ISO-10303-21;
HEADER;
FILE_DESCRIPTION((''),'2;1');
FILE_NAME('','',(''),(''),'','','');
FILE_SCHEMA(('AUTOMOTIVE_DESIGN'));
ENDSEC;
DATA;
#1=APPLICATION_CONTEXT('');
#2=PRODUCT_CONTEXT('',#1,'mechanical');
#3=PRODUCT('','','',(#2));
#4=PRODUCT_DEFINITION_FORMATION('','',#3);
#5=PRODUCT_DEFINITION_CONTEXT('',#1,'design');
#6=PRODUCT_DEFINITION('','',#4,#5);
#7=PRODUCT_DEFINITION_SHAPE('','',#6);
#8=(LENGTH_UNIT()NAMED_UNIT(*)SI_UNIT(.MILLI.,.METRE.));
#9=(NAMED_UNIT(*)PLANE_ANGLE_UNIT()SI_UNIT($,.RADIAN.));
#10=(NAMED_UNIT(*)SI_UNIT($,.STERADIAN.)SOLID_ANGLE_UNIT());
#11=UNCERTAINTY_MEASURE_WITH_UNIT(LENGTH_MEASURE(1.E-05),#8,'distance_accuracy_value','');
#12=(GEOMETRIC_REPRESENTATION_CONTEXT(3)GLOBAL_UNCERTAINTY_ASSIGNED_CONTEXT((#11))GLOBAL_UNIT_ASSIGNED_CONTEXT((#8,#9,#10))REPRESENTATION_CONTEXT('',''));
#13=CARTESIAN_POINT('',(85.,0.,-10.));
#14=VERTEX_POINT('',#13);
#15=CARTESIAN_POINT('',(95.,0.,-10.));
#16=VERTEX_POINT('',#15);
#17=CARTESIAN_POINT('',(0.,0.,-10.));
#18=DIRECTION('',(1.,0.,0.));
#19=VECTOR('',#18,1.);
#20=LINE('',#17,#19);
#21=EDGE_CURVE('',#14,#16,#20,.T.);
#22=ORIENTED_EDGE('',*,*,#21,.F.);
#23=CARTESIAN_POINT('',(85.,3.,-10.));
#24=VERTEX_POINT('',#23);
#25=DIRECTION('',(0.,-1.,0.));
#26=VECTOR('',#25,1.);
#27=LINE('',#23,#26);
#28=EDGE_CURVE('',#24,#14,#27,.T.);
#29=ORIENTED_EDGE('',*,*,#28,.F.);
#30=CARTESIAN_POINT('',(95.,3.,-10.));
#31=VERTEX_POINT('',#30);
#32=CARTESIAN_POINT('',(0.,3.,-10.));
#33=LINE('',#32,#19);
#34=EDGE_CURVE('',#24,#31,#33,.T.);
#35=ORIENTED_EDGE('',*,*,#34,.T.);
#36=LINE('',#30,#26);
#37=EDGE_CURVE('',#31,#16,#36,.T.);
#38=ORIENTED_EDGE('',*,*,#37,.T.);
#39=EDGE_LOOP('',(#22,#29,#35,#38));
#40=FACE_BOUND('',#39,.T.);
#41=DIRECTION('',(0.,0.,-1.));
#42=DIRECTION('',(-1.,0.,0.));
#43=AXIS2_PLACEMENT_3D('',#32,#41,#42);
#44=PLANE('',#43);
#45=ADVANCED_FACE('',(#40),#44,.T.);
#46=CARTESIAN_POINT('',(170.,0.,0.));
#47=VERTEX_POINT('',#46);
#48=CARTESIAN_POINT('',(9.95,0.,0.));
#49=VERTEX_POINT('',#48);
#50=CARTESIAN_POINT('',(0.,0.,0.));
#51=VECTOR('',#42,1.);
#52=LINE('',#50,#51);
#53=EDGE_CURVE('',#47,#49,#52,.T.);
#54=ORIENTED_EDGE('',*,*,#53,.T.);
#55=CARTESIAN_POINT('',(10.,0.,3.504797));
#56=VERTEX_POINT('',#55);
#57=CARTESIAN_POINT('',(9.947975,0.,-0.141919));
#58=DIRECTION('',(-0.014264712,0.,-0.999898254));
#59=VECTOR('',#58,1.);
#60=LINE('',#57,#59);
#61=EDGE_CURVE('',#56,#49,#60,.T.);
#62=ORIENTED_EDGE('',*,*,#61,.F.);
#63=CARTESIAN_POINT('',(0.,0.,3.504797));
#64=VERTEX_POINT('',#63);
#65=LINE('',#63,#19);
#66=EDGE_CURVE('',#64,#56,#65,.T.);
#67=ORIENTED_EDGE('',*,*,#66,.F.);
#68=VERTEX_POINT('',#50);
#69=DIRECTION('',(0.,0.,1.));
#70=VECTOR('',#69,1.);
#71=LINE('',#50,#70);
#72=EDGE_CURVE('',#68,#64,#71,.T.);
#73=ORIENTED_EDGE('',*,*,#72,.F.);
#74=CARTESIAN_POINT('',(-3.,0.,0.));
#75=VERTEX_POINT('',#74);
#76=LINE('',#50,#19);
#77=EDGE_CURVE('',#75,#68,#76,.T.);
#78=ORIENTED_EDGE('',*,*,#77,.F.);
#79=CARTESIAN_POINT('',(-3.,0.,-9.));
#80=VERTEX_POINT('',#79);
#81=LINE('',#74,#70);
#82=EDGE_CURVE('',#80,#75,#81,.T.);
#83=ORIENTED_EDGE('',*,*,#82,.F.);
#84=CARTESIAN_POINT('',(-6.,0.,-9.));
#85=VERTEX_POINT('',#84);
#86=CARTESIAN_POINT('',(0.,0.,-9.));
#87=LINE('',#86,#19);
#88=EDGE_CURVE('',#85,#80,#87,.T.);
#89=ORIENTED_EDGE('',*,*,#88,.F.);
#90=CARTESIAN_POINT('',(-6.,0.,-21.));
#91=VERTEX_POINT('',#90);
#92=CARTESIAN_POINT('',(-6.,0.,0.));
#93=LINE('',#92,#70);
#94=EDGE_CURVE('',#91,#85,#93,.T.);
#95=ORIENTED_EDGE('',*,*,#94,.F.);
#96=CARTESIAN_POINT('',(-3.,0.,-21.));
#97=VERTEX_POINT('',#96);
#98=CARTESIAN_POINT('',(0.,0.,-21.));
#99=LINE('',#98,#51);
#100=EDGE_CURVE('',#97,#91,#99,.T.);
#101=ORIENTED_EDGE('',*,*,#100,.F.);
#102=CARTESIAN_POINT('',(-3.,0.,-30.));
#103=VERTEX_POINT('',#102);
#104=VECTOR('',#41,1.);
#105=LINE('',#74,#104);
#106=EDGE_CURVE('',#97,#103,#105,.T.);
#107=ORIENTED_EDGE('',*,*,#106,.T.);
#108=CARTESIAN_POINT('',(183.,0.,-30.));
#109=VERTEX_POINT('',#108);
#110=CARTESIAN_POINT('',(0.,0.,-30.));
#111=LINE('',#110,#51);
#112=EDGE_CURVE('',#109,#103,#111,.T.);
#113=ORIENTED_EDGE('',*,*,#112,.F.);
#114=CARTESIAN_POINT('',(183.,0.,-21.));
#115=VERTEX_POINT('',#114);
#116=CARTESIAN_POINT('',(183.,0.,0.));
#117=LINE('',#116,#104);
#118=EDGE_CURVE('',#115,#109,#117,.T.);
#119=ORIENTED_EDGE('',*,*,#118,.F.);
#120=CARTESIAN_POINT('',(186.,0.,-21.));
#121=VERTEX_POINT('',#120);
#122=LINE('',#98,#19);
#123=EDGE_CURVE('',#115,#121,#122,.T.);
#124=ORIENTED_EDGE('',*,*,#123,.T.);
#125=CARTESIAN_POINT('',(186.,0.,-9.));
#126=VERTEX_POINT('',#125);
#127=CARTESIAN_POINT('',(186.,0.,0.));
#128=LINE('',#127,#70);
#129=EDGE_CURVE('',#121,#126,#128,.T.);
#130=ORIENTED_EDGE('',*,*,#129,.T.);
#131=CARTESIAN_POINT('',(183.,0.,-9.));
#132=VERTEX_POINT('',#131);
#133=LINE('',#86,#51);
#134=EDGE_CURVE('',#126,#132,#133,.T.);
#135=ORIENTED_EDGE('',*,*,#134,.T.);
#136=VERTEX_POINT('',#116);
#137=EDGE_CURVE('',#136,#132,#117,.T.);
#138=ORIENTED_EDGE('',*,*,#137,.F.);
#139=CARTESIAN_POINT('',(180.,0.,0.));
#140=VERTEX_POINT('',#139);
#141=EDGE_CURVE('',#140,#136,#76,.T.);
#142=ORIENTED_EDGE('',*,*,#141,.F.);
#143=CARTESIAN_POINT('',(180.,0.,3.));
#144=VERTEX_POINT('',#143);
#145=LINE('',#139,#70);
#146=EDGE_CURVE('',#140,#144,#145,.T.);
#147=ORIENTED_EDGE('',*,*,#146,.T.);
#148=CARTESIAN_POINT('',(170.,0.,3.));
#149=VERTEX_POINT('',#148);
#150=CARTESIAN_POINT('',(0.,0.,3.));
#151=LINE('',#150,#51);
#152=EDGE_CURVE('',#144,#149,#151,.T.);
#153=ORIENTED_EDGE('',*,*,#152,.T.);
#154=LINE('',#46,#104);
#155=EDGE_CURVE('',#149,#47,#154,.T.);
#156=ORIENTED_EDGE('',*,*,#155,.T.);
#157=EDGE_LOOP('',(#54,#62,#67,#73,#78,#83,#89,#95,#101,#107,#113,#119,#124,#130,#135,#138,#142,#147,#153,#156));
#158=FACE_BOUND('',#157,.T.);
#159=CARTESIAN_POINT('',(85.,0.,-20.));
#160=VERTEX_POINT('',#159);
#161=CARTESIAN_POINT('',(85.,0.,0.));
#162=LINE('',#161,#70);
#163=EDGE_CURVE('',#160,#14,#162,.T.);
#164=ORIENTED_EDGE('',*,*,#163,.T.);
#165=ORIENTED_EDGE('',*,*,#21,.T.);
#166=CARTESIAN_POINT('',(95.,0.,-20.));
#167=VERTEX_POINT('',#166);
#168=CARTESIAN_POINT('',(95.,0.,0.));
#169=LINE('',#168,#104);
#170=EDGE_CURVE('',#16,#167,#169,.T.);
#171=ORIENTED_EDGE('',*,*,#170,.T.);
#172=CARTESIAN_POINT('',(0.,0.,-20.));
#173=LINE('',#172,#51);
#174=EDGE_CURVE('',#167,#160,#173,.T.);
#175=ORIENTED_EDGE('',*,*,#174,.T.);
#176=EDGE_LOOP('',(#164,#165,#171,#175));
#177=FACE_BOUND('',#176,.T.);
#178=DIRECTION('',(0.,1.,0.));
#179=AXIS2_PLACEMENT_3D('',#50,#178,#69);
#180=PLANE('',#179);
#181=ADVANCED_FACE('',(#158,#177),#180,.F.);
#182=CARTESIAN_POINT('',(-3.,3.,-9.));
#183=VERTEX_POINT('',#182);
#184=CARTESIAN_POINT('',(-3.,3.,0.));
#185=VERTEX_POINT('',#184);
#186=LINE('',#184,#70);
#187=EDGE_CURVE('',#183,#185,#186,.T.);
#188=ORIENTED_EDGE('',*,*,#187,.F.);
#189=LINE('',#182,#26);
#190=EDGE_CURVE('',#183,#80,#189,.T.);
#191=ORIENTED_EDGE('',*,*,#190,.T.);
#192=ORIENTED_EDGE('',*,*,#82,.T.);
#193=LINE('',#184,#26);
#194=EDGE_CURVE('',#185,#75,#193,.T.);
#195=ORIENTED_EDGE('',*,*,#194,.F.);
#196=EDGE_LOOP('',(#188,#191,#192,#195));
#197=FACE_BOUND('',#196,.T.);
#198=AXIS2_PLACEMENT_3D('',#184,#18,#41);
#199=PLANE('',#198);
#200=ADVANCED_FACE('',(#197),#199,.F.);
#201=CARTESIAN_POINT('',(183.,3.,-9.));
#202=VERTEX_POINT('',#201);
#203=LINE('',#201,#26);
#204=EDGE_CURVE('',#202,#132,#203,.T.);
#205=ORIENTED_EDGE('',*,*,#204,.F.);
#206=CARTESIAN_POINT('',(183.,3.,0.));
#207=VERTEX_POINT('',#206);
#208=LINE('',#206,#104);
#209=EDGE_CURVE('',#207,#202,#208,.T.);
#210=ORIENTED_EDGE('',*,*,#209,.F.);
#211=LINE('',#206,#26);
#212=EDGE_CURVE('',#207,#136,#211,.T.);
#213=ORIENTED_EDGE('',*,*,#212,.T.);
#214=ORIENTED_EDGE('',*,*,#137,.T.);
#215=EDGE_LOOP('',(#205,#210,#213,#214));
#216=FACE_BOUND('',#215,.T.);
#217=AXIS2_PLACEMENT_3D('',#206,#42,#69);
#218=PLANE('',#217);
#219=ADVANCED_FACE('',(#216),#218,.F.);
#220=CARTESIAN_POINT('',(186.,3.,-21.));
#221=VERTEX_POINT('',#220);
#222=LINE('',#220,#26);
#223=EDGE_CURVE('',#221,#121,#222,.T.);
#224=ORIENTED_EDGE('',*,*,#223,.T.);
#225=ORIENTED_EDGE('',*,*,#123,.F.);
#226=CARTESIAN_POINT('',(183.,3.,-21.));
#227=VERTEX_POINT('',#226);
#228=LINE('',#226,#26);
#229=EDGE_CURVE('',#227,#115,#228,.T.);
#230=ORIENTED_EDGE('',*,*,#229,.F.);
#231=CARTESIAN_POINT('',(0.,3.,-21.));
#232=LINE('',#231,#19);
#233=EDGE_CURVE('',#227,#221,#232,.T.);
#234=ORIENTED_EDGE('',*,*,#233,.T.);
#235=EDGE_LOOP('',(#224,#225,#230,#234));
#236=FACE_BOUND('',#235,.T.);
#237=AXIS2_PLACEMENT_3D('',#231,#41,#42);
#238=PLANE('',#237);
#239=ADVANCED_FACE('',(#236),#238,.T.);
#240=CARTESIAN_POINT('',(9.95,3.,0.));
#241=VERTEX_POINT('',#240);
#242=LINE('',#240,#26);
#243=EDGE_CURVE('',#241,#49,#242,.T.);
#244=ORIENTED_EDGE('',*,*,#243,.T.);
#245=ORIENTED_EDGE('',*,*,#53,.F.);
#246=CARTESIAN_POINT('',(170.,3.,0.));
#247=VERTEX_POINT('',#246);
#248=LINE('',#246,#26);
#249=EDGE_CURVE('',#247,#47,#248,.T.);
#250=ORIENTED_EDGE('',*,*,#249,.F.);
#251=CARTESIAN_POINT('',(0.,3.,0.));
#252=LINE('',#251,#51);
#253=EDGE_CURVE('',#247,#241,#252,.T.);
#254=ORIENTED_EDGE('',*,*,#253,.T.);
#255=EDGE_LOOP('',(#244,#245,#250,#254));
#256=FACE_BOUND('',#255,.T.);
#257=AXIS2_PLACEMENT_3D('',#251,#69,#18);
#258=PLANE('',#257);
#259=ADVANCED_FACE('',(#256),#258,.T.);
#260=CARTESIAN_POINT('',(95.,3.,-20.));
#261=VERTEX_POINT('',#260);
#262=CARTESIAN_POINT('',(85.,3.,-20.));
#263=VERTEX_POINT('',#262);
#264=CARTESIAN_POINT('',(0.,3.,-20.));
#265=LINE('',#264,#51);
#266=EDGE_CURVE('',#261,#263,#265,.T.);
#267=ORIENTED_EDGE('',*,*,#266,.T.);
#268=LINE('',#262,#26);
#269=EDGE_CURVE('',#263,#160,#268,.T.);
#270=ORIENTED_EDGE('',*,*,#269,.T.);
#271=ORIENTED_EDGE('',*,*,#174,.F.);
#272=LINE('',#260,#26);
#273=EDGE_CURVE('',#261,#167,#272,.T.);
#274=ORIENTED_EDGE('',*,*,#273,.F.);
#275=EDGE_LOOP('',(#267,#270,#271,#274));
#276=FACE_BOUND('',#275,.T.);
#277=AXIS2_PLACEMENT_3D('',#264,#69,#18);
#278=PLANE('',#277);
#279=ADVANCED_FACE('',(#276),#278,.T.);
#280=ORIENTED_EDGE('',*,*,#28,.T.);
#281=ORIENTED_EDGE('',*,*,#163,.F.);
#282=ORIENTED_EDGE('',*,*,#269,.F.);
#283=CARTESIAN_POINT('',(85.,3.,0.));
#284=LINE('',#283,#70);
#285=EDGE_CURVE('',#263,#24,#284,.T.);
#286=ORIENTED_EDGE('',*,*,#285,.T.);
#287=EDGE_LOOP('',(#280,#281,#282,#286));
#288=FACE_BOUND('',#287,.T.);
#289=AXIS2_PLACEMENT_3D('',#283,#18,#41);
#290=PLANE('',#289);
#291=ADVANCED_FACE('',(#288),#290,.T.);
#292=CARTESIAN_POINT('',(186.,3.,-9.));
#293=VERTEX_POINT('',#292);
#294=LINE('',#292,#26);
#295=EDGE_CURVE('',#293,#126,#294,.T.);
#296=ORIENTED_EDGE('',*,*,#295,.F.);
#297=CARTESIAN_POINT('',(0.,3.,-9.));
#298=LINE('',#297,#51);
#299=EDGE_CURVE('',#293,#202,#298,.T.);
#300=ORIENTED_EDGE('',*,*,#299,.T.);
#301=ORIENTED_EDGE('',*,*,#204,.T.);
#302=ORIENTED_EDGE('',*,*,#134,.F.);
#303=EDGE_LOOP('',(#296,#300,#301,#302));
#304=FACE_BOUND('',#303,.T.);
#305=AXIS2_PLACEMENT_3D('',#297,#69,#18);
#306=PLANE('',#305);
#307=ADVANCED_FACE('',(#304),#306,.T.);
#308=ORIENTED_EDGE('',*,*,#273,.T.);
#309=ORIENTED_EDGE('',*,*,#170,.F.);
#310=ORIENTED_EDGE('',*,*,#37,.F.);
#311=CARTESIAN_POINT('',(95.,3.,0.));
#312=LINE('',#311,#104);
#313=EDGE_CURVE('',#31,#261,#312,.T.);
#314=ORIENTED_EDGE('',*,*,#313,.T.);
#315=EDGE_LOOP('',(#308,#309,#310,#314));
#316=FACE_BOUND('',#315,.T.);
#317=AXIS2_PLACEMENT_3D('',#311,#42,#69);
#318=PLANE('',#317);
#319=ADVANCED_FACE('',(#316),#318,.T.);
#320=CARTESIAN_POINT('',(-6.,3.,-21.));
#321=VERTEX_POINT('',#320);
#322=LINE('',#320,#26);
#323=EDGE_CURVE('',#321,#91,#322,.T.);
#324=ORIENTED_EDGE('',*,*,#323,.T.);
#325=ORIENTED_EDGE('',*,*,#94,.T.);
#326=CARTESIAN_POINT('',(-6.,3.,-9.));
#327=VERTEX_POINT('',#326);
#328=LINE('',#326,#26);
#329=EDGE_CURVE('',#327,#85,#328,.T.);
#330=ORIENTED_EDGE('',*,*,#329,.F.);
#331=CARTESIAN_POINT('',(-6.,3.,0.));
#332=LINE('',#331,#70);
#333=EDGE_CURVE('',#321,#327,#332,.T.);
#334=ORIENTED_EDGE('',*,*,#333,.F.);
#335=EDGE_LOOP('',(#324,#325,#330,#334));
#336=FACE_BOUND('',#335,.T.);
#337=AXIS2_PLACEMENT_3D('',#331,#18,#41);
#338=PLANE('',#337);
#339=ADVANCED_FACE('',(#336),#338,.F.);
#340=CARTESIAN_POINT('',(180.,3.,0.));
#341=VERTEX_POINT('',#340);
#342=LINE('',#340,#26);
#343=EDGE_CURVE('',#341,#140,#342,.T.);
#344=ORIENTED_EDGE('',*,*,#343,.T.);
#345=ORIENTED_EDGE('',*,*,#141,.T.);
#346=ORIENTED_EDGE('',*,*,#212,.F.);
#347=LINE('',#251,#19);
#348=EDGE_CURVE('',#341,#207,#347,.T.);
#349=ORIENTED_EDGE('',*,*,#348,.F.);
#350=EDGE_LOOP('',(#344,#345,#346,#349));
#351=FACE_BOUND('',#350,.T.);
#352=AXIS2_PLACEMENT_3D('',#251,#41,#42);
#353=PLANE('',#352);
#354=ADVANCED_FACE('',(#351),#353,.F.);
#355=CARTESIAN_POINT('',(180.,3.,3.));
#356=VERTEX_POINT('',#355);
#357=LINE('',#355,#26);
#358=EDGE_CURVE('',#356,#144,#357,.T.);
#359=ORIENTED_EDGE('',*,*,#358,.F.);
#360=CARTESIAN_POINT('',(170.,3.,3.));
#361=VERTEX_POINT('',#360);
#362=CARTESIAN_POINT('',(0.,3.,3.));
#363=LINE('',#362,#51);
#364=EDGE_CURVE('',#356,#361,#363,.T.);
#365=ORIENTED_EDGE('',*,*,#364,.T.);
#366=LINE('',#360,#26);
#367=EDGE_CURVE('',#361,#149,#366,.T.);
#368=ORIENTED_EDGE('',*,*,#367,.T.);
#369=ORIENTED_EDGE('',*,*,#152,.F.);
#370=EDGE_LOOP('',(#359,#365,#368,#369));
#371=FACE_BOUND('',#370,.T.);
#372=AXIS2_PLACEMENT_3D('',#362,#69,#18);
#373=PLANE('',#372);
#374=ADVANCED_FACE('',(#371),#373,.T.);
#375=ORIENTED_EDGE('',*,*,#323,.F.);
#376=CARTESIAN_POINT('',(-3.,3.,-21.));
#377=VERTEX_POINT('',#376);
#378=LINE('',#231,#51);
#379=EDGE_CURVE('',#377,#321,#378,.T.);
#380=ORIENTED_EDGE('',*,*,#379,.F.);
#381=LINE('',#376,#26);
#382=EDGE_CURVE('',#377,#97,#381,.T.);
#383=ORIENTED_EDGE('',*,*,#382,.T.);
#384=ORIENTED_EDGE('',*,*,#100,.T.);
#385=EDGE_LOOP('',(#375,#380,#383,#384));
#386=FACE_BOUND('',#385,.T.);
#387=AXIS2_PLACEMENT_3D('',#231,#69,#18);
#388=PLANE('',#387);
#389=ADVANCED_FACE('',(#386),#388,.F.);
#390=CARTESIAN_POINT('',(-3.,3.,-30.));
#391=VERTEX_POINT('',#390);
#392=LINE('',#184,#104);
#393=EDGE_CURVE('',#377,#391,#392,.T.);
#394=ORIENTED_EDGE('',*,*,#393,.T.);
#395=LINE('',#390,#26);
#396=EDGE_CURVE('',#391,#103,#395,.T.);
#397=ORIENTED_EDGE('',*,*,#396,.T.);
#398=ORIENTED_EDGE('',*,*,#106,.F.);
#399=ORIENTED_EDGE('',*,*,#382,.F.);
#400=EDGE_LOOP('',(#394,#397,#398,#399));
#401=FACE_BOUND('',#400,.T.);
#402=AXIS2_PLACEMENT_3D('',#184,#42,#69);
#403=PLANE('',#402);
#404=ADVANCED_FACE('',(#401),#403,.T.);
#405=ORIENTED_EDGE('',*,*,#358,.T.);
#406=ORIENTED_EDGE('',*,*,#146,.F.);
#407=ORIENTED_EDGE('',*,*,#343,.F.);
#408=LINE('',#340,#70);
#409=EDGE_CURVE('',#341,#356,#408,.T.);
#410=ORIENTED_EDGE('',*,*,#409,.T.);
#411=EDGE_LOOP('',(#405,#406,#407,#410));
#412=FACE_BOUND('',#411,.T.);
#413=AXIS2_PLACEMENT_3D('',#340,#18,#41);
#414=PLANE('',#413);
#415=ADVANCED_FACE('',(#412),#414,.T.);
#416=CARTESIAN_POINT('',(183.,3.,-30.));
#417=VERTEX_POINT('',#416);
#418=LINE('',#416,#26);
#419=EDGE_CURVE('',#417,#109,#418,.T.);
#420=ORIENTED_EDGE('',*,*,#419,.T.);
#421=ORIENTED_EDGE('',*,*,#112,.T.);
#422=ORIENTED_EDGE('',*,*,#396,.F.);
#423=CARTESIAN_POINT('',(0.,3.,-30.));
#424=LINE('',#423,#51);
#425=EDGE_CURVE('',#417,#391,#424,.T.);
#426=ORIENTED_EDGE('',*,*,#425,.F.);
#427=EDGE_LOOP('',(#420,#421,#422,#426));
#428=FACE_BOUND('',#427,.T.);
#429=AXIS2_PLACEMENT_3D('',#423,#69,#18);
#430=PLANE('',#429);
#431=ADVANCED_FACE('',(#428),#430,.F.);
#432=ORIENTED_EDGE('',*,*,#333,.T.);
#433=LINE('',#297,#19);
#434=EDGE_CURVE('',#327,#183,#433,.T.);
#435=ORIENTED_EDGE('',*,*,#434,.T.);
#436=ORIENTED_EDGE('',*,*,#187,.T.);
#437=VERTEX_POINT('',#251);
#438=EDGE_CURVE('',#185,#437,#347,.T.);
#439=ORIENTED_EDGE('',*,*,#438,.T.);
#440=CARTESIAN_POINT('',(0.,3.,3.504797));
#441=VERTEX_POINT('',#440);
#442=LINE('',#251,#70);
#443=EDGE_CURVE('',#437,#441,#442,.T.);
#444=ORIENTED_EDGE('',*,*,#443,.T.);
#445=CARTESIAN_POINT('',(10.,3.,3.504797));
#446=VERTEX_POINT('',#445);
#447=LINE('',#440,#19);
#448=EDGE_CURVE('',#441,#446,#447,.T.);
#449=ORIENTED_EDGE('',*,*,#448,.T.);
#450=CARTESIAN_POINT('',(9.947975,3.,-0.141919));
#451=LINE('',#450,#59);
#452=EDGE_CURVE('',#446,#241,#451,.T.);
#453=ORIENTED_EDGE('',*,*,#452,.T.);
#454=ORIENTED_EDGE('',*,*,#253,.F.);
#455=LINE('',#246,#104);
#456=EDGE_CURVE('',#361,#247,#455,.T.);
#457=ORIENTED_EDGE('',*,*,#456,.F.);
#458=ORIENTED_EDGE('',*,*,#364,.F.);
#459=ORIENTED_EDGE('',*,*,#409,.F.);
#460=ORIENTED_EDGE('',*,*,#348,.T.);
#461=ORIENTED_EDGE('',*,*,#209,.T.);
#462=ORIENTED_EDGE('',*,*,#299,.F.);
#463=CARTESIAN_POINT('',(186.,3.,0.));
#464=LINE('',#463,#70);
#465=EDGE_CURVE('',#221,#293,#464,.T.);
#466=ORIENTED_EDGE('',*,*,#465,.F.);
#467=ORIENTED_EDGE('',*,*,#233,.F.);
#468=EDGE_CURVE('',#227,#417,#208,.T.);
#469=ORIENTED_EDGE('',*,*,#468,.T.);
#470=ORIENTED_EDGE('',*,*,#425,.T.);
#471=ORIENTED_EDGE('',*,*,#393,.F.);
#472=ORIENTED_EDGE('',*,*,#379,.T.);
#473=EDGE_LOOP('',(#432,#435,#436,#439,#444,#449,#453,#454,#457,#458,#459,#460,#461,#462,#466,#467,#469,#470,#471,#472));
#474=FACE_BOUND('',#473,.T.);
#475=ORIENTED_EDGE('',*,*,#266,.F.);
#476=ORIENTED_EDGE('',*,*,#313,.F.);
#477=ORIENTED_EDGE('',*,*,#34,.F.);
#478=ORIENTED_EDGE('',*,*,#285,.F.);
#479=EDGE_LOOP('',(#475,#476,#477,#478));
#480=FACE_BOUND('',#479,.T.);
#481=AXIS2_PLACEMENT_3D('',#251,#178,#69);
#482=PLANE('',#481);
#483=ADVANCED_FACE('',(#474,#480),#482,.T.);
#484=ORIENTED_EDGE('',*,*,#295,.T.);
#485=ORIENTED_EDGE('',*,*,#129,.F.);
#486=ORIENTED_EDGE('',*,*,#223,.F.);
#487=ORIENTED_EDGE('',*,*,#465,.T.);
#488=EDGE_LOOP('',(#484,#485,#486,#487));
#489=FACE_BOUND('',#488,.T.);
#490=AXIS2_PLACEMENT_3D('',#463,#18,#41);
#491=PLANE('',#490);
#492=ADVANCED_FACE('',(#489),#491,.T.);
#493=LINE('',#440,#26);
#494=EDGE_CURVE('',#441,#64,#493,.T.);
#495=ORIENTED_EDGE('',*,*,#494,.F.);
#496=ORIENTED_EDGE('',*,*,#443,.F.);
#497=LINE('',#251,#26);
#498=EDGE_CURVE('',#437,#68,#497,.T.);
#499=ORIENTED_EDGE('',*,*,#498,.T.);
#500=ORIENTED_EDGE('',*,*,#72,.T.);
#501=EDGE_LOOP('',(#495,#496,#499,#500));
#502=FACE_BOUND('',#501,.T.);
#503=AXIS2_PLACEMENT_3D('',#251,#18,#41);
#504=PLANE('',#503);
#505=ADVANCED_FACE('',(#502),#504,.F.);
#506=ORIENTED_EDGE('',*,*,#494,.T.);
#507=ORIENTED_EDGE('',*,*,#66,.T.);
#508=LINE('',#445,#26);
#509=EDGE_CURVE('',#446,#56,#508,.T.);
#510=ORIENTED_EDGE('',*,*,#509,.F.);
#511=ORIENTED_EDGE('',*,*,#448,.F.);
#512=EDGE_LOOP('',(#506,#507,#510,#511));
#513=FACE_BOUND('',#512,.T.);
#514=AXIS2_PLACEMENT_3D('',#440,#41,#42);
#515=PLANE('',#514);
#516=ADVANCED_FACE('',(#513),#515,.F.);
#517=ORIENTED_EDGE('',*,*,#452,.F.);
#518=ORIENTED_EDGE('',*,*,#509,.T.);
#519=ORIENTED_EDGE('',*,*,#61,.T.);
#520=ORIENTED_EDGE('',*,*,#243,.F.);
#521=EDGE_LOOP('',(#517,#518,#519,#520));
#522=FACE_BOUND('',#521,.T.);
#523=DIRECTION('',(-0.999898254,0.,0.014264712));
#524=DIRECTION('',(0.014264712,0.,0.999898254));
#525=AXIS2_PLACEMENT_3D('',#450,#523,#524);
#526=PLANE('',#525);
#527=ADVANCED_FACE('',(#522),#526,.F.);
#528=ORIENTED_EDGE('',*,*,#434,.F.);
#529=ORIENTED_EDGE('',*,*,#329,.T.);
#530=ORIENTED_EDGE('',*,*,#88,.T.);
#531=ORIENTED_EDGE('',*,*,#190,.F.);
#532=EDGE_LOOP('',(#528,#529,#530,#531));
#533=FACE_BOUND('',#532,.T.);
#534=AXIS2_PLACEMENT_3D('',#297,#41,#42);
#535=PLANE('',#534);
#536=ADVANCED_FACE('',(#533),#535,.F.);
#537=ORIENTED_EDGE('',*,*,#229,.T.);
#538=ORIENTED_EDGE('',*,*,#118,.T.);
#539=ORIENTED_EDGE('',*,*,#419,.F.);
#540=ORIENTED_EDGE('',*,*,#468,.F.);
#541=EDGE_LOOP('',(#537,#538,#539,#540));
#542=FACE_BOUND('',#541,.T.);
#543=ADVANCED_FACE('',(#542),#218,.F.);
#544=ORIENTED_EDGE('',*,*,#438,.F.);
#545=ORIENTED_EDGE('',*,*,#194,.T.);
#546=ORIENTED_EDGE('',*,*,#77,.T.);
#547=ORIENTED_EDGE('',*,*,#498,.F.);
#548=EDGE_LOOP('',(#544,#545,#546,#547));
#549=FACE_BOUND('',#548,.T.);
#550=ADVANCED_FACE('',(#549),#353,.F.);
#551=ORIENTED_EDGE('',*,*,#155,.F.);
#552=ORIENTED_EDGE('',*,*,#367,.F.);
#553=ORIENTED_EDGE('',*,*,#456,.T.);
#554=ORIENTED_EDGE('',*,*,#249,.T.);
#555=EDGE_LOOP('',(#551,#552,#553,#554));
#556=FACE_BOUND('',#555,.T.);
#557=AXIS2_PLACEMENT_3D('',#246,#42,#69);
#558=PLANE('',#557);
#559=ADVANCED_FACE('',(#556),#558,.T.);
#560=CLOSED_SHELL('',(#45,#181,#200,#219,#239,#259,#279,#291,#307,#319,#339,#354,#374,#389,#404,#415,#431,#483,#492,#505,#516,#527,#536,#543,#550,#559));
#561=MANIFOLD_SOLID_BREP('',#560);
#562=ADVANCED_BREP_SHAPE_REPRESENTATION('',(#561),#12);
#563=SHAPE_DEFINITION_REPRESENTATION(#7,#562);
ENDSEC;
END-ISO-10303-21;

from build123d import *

# Parameters (mm, degrees)
SKETCH_4_W      = 10
SKETCH_4_H      = 10
EXTRUDE_1_DEPTH = 3


with BuildPart() as part:
    # 草图4 → 凸台-拉伸1 (new body)
    with BuildSketch(Plane(origin=(0, 0, 0), x_dir=(1, 0, 0), z_dir=(0, 1, 0))):
        Polygon((0, 30), (180, 30), (183, 30), (183, 21), (186, 21), (186, 9), (183, 9), (183, 0), (179.95, 0), (180, 0), (180, -3), (170, -3), (170, 0), (170.05, 0), (9.95, 0), (10, -3.504796537), (0, -3.504796537), (0, 0), (-3, 0), (-3, 9), (-6, 9), (-6, 21), (-3, 21), (-3, 30), align=None)
        with Locations((90, 15)):
            Rectangle(SKETCH_4_W, SKETCH_4_H, mode=Mode.SUBTRACT)
    extrude(amount=EXTRUDE_1_DEPTH)


solid = part.part
